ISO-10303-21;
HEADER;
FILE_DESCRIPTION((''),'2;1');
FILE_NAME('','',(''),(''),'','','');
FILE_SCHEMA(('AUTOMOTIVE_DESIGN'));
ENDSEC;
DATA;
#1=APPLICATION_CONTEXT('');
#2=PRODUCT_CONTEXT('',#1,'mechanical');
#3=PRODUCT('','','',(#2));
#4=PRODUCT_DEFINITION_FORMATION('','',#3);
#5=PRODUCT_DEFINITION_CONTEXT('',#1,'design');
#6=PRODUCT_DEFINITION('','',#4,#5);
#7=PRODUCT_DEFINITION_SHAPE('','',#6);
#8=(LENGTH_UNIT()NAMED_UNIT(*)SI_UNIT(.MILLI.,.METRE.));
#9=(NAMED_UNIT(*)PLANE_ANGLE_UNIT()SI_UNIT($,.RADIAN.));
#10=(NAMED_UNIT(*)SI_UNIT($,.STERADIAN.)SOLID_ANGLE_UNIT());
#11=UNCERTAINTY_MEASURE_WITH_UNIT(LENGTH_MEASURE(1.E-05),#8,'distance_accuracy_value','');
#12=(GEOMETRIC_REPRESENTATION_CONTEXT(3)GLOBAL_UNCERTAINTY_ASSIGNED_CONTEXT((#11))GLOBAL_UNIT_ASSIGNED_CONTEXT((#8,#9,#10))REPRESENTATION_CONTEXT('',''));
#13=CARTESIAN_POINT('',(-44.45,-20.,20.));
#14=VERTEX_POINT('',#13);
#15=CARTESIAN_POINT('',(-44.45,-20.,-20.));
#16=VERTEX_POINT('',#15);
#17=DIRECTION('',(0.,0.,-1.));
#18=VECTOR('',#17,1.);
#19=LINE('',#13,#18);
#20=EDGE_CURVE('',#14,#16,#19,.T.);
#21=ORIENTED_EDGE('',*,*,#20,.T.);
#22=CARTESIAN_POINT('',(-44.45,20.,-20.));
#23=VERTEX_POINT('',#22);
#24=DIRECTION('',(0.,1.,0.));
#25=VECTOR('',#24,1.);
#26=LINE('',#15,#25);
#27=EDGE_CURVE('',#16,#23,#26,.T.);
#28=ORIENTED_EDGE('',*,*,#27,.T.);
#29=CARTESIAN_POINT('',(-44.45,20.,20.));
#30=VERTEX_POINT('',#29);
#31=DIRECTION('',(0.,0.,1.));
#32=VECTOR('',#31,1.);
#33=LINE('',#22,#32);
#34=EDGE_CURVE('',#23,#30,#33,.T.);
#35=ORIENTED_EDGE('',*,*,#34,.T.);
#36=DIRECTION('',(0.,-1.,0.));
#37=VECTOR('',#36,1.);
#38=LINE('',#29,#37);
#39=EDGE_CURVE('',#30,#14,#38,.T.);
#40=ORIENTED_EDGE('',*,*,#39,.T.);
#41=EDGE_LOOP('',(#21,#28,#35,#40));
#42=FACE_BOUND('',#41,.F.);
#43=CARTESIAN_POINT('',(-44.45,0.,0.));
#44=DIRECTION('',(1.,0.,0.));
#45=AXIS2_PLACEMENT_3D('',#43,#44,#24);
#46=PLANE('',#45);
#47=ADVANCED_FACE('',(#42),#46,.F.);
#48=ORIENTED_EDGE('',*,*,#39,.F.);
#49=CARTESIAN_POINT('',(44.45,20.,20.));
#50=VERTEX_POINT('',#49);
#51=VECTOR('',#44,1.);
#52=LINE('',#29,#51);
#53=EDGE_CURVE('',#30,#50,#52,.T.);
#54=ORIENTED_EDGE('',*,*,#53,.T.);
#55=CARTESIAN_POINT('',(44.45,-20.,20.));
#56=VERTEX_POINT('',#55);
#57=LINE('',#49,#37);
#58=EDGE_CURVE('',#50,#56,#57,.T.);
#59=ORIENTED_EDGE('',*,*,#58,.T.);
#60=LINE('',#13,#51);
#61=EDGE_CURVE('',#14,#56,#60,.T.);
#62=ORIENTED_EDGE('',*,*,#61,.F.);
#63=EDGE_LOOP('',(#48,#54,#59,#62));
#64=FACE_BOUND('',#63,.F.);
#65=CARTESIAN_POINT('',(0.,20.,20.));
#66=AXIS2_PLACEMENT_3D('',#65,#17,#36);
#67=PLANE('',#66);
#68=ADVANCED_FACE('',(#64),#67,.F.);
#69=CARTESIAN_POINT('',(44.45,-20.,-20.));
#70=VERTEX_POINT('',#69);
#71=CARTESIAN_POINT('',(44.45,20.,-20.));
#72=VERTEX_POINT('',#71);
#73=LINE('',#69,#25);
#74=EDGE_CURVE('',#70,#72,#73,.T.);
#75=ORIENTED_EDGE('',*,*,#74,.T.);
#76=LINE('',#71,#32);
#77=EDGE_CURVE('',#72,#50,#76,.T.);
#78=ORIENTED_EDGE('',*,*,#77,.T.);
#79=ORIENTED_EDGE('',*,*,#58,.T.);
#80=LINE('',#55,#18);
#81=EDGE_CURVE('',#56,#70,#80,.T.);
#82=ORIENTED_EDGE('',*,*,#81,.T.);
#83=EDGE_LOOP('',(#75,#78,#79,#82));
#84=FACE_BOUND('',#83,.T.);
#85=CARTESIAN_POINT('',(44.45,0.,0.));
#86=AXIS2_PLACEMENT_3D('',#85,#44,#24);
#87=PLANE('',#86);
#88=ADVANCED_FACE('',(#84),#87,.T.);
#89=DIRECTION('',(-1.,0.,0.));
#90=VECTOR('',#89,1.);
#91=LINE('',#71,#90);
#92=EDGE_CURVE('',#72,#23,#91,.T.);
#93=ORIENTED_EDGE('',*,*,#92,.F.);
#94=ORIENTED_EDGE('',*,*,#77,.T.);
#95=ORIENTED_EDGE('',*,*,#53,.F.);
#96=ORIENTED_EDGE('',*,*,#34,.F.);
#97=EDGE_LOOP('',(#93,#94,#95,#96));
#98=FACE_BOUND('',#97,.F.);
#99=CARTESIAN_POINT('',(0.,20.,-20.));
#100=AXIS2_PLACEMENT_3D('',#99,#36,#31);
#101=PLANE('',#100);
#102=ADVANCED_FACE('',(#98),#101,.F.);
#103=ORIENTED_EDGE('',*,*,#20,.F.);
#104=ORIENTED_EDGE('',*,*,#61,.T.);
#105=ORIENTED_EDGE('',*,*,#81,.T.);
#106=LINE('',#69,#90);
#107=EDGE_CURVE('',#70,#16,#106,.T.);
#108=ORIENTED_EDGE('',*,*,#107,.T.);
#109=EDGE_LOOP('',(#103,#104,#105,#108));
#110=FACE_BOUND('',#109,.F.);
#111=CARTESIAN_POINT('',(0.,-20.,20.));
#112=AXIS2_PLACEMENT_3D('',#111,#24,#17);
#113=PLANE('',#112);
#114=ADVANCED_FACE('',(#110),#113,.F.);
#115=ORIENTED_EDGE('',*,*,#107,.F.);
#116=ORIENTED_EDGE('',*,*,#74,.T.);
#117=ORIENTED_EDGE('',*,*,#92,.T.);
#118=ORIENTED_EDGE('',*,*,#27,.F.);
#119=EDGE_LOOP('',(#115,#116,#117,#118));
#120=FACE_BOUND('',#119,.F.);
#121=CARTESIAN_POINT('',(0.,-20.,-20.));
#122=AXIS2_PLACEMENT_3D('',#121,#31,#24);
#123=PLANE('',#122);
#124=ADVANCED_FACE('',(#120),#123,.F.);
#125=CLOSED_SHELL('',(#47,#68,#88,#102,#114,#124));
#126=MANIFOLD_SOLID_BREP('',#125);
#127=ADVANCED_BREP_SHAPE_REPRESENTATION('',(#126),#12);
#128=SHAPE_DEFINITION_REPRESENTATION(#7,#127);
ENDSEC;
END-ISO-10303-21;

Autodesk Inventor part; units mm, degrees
ref_plane "YZ Plane" through (0, 0, 0) normal (1, 0, 0) x (0, 1, 0)
ref_plane "XZ Plane" through (0, 0, 0) normal (0, 1, 0) x (-1, 0, 0)
ref_plane "XY Plane" through (0, 0, 0) normal (0, 0, 1) x (1, 0, 0)
sketch "Sketch1" plane through (0, 0, 0) normal (1, 0, 0) x (0, 1, 0)
  line L0 (20, 20) -> (-20, 20)
  line L1 (-20, 20) -> (-20, -20)
  line L2 (-20, -20) -> (20, -20)
  line L3 (20, -20) -> (20, 20)
  point P0 (0, 0)
  dimension "d0" = 40
  dimension "d1" = 20
  dimension "d2" = 20
extrude "Extrusion1" add sketch "Sketch1" along normal mid plane 88.9
equation "\"d1\" = 0.5 * d0"
equation "\"d2\" = d1"
